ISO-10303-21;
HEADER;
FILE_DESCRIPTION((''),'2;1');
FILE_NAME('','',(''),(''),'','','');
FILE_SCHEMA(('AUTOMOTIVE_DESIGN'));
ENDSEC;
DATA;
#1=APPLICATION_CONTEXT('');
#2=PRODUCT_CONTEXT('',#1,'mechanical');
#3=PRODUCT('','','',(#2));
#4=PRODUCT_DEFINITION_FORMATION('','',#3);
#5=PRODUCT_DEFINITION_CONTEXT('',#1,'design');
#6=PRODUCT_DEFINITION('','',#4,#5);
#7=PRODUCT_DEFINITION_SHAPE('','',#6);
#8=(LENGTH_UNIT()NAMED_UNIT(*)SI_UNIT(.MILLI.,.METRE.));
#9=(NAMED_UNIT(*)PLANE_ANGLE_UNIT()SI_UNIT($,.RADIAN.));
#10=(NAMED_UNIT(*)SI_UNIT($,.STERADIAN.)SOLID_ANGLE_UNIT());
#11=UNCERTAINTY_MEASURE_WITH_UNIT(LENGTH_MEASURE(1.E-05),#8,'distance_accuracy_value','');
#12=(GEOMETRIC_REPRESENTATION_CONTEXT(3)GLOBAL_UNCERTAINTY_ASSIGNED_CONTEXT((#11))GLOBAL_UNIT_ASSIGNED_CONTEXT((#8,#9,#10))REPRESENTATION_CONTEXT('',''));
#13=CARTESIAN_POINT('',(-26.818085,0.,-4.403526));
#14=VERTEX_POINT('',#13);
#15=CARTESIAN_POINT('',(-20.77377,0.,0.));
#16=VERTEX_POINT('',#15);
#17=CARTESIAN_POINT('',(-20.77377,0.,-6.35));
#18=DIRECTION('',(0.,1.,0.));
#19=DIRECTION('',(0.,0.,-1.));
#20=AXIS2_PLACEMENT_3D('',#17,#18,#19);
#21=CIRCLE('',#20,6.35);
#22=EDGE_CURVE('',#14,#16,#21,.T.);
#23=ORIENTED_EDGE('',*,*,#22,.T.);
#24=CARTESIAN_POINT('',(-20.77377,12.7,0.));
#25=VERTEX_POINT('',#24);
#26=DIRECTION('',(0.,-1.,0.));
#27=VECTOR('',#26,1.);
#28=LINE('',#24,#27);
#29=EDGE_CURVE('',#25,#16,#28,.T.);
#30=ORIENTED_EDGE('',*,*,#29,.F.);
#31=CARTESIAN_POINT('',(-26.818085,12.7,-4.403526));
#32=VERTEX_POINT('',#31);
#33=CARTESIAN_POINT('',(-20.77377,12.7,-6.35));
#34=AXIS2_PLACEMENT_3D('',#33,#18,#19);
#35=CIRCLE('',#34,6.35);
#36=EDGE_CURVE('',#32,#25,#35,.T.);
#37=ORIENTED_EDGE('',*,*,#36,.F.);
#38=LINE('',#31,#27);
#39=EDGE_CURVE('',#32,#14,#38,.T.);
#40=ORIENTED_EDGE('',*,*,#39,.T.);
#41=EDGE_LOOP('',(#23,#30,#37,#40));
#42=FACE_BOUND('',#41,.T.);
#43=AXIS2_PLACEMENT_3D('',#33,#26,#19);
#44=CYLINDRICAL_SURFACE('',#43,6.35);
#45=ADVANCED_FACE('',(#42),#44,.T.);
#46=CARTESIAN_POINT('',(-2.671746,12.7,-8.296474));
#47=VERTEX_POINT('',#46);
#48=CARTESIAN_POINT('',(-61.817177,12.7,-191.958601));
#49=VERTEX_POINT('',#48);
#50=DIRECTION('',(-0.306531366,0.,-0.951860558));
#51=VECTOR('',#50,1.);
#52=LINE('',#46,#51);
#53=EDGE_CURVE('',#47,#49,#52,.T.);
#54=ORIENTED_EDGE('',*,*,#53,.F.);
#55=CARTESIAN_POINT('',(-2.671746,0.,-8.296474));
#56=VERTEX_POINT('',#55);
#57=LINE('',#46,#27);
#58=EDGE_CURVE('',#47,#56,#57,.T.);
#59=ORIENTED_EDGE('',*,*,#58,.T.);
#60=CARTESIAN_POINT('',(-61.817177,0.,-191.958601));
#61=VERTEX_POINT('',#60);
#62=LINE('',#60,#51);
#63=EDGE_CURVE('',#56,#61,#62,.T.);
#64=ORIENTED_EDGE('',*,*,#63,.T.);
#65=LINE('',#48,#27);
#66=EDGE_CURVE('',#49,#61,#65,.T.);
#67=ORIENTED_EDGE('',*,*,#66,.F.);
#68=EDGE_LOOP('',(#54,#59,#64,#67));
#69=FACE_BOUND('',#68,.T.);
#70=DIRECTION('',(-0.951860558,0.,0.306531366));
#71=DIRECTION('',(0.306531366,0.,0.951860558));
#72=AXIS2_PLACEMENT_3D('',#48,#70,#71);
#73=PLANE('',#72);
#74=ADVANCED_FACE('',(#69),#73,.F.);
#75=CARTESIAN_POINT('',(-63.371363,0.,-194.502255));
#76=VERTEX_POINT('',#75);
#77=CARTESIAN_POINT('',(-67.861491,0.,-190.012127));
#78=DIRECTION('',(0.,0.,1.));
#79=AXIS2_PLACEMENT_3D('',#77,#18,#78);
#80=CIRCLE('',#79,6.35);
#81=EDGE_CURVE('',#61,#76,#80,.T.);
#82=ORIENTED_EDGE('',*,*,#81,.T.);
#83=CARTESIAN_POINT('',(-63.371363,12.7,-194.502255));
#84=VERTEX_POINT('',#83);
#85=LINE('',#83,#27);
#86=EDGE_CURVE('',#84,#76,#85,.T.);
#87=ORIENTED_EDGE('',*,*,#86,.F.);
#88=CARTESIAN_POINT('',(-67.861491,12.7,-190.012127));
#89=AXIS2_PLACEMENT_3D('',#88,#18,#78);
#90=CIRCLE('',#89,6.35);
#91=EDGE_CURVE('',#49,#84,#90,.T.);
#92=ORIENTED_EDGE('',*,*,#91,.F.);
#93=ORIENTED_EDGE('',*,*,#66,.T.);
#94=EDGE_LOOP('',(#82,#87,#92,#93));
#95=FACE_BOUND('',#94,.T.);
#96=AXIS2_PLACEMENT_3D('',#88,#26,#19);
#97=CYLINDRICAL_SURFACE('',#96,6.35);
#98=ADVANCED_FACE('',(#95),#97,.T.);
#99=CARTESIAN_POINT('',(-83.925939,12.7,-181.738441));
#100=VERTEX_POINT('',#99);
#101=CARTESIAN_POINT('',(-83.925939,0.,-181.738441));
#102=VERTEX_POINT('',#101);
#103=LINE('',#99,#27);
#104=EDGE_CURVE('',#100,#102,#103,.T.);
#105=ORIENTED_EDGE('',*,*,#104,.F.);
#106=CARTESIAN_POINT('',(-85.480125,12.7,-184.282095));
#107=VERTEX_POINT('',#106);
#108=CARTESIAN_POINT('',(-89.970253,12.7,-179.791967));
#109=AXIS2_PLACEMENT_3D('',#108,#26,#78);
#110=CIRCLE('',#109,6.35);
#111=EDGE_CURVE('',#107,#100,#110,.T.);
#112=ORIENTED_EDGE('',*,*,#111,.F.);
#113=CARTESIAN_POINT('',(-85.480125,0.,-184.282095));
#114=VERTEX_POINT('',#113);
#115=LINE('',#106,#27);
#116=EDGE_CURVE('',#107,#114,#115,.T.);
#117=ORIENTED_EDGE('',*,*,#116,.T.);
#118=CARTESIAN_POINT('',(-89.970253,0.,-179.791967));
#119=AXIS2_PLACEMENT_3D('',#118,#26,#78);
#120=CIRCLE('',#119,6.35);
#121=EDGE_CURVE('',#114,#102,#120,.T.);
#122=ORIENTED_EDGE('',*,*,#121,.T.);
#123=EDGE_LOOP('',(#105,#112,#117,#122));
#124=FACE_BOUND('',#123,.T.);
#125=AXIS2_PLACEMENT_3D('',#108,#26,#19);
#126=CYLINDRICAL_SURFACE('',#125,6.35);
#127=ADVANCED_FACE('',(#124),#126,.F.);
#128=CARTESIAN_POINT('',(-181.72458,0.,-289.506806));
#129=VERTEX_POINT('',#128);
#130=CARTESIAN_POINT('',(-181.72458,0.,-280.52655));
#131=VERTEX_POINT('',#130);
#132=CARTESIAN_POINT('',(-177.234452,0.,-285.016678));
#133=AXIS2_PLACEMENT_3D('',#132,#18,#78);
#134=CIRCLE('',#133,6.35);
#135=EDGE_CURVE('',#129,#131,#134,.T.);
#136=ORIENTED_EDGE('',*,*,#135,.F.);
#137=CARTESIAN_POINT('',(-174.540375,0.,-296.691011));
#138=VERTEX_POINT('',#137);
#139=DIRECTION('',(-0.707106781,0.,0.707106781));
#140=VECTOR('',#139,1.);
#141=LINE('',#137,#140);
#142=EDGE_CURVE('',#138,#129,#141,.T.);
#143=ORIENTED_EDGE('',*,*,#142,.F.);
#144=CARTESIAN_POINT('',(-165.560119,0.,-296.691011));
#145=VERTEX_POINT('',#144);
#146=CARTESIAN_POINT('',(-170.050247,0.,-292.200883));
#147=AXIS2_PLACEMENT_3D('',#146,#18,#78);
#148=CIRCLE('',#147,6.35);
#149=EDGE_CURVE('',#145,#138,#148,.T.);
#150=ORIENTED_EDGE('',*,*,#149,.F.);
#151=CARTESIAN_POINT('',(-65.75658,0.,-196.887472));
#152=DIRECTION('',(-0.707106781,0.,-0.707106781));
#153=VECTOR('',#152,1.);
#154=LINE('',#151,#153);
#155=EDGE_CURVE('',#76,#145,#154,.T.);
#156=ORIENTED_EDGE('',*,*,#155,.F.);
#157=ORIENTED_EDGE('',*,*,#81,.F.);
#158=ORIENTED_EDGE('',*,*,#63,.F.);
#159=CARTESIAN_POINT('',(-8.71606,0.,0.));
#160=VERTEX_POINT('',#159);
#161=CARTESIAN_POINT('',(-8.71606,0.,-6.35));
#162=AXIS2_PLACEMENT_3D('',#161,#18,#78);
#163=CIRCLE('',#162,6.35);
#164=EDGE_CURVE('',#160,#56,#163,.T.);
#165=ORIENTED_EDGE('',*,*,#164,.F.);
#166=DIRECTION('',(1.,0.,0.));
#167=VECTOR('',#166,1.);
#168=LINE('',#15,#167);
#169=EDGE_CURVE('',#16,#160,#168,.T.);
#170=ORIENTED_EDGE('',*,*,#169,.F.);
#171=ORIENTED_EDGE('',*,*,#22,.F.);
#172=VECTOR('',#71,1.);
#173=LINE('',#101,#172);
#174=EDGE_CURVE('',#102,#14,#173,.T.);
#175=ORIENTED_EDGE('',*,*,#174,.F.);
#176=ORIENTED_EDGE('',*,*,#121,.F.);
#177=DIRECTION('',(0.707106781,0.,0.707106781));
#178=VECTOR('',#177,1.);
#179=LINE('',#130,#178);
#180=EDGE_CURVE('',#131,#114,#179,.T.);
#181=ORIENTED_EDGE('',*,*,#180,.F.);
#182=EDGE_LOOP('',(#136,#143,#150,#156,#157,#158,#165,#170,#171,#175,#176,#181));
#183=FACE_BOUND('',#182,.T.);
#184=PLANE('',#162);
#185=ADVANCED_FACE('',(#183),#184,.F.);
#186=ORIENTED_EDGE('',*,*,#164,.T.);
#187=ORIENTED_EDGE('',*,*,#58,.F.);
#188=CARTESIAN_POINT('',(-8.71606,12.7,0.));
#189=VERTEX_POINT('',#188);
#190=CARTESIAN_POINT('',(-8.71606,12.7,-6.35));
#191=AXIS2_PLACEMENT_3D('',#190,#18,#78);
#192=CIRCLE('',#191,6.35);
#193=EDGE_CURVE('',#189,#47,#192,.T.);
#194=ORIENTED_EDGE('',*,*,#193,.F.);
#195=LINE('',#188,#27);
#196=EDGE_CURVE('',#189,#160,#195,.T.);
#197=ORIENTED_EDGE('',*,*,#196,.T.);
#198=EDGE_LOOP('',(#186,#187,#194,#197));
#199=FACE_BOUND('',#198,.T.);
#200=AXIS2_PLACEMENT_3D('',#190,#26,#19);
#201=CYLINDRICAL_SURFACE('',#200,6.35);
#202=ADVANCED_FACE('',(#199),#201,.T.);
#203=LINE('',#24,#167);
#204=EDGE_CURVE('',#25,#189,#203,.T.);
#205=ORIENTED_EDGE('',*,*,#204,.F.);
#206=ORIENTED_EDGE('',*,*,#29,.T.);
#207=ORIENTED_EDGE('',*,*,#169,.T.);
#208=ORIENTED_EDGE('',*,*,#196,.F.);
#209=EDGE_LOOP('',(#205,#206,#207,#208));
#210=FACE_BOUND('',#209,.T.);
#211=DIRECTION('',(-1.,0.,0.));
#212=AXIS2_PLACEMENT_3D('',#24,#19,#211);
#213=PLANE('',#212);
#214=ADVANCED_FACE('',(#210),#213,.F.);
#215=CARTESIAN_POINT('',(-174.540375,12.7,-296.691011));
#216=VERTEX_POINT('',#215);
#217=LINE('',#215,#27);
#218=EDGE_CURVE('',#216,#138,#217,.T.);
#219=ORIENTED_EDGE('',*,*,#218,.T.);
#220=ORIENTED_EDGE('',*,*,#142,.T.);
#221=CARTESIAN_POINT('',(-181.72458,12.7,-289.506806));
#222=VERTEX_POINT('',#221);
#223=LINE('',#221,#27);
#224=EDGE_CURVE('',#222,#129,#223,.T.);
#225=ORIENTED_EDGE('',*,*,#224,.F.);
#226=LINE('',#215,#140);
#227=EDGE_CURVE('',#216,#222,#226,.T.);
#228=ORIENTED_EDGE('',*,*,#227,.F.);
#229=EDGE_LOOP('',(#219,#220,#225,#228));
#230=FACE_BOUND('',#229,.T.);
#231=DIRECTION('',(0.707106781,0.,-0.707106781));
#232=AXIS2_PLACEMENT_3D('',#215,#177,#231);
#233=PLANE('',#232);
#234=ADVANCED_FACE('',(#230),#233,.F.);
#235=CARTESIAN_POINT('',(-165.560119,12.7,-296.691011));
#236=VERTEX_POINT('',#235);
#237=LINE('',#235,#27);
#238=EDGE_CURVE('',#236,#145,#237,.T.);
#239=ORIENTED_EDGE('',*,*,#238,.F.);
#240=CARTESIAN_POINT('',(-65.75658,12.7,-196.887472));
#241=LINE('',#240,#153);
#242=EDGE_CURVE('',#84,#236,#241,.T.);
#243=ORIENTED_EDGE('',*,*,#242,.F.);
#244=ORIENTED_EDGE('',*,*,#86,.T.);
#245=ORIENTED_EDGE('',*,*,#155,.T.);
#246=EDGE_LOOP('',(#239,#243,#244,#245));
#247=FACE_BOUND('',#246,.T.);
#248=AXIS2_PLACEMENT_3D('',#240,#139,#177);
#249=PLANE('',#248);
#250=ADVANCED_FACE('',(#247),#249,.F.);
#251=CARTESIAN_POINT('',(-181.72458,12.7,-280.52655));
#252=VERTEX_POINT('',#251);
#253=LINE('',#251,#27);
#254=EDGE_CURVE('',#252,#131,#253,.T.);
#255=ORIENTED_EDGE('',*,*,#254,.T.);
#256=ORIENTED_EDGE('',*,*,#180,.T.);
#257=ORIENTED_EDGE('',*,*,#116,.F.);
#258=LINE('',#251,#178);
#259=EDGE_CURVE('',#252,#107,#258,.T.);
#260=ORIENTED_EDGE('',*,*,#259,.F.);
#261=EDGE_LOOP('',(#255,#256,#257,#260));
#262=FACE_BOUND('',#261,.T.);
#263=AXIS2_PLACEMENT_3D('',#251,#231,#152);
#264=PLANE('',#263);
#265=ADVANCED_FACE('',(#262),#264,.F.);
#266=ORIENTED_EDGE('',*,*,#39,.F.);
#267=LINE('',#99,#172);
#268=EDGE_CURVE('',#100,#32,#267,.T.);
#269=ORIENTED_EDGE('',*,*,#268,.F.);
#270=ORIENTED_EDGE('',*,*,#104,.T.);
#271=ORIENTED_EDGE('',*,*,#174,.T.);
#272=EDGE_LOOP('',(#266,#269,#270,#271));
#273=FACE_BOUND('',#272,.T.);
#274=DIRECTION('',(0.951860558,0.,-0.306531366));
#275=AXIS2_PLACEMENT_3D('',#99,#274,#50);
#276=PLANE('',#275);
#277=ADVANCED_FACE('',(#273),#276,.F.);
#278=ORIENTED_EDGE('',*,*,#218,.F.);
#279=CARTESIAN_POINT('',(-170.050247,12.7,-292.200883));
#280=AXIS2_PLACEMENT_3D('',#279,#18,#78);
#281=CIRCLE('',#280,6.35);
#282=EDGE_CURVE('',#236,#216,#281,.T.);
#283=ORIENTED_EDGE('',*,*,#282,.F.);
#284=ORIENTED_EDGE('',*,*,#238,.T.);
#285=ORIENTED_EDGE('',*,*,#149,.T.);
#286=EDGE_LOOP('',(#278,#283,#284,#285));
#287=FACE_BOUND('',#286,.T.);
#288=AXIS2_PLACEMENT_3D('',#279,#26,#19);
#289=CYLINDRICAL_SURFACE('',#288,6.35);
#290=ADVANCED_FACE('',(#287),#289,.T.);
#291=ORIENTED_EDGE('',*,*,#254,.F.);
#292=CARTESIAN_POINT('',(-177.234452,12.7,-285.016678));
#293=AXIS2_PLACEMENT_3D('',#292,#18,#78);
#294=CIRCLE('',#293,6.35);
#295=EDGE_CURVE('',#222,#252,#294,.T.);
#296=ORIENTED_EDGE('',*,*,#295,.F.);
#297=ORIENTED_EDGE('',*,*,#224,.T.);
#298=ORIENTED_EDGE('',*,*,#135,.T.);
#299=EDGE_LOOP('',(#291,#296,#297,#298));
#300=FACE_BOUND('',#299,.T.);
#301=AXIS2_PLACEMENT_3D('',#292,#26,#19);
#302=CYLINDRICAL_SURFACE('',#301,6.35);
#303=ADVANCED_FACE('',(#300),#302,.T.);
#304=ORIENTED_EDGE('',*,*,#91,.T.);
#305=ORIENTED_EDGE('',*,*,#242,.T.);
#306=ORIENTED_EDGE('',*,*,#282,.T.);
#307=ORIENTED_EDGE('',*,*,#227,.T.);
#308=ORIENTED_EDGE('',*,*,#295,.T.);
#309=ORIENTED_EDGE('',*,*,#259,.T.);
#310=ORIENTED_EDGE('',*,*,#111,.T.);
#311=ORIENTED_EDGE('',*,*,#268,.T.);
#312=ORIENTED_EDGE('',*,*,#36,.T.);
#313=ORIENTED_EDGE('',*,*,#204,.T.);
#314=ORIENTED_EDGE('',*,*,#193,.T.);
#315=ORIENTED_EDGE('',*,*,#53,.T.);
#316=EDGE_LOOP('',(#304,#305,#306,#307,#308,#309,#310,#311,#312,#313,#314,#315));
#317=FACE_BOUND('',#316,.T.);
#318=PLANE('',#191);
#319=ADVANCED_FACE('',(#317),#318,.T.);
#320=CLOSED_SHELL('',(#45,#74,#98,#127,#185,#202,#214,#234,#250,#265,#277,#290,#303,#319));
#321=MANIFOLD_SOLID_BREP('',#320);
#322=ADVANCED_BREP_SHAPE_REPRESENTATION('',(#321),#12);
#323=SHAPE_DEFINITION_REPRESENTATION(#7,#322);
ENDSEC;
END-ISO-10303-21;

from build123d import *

# Parameters (mm, degrees)
BOSS_EXTRUDE1_DEPTH = 12.7


with BuildPart() as part:
    # Sketch1 → Boss-Extrude1 (new body)
    with BuildSketch(Plane(origin=(0, 0, 0), x_dir=(1, 0, 0), z_dir=(0, 1, 0))):
        with BuildLine():
            Line((-2.671745921, 8.296474175), (-60.783183135, 188.74777921))
            Line((-60.783183135, 188.74777921), (-61.817176572, 191.958600936))
            ThreePointArc((-61.817176572, 191.958600936), (-62.442896831, 193.322917601), (-63.371363054, 194.502254821))
            Line((-63.371363054, 194.502254821), (-65.756579877, 196.887471644))
            Line((-65.756579877, 196.887471644), (-165.560118982, 296.691010749))
            ThreePointArc((-165.560118982, 296.691010749), (-170.050247042, 298.550882688), (-174.540375103, 296.691010749))
            Line((-174.540375103, 296.691010749), (-181.72458, 289.506805852))
            ThreePointArc((-181.72458, 289.506805852), (-183.584451939, 285.016677791), (-181.72458, 280.526549731))
            Line((-181.72458, 280.526549731), (-85.480125087, 184.282094819))
            ThreePointArc((-85.480125087, 184.282094819), (-84.551658864, 183.102757598), (-83.925938605, 181.738440933))
            Line((-83.925938605, 181.738440933), (-26.818084588, 4.403525825))
            ThreePointArc((-26.818084588, 4.403525825), (-24.512913596, 1.217621847), (-20.773770045, 0))
            Line((-20.773770045, 0), (-8.716060463, 0))
            ThreePointArc((-8.716060463, 0), (-3.58368231, 2.610856449), (-2.671745921, 8.296474175))
        make_face()
    extrude(amount=BOSS_EXTRUDE1_DEPTH)


solid = part.part
